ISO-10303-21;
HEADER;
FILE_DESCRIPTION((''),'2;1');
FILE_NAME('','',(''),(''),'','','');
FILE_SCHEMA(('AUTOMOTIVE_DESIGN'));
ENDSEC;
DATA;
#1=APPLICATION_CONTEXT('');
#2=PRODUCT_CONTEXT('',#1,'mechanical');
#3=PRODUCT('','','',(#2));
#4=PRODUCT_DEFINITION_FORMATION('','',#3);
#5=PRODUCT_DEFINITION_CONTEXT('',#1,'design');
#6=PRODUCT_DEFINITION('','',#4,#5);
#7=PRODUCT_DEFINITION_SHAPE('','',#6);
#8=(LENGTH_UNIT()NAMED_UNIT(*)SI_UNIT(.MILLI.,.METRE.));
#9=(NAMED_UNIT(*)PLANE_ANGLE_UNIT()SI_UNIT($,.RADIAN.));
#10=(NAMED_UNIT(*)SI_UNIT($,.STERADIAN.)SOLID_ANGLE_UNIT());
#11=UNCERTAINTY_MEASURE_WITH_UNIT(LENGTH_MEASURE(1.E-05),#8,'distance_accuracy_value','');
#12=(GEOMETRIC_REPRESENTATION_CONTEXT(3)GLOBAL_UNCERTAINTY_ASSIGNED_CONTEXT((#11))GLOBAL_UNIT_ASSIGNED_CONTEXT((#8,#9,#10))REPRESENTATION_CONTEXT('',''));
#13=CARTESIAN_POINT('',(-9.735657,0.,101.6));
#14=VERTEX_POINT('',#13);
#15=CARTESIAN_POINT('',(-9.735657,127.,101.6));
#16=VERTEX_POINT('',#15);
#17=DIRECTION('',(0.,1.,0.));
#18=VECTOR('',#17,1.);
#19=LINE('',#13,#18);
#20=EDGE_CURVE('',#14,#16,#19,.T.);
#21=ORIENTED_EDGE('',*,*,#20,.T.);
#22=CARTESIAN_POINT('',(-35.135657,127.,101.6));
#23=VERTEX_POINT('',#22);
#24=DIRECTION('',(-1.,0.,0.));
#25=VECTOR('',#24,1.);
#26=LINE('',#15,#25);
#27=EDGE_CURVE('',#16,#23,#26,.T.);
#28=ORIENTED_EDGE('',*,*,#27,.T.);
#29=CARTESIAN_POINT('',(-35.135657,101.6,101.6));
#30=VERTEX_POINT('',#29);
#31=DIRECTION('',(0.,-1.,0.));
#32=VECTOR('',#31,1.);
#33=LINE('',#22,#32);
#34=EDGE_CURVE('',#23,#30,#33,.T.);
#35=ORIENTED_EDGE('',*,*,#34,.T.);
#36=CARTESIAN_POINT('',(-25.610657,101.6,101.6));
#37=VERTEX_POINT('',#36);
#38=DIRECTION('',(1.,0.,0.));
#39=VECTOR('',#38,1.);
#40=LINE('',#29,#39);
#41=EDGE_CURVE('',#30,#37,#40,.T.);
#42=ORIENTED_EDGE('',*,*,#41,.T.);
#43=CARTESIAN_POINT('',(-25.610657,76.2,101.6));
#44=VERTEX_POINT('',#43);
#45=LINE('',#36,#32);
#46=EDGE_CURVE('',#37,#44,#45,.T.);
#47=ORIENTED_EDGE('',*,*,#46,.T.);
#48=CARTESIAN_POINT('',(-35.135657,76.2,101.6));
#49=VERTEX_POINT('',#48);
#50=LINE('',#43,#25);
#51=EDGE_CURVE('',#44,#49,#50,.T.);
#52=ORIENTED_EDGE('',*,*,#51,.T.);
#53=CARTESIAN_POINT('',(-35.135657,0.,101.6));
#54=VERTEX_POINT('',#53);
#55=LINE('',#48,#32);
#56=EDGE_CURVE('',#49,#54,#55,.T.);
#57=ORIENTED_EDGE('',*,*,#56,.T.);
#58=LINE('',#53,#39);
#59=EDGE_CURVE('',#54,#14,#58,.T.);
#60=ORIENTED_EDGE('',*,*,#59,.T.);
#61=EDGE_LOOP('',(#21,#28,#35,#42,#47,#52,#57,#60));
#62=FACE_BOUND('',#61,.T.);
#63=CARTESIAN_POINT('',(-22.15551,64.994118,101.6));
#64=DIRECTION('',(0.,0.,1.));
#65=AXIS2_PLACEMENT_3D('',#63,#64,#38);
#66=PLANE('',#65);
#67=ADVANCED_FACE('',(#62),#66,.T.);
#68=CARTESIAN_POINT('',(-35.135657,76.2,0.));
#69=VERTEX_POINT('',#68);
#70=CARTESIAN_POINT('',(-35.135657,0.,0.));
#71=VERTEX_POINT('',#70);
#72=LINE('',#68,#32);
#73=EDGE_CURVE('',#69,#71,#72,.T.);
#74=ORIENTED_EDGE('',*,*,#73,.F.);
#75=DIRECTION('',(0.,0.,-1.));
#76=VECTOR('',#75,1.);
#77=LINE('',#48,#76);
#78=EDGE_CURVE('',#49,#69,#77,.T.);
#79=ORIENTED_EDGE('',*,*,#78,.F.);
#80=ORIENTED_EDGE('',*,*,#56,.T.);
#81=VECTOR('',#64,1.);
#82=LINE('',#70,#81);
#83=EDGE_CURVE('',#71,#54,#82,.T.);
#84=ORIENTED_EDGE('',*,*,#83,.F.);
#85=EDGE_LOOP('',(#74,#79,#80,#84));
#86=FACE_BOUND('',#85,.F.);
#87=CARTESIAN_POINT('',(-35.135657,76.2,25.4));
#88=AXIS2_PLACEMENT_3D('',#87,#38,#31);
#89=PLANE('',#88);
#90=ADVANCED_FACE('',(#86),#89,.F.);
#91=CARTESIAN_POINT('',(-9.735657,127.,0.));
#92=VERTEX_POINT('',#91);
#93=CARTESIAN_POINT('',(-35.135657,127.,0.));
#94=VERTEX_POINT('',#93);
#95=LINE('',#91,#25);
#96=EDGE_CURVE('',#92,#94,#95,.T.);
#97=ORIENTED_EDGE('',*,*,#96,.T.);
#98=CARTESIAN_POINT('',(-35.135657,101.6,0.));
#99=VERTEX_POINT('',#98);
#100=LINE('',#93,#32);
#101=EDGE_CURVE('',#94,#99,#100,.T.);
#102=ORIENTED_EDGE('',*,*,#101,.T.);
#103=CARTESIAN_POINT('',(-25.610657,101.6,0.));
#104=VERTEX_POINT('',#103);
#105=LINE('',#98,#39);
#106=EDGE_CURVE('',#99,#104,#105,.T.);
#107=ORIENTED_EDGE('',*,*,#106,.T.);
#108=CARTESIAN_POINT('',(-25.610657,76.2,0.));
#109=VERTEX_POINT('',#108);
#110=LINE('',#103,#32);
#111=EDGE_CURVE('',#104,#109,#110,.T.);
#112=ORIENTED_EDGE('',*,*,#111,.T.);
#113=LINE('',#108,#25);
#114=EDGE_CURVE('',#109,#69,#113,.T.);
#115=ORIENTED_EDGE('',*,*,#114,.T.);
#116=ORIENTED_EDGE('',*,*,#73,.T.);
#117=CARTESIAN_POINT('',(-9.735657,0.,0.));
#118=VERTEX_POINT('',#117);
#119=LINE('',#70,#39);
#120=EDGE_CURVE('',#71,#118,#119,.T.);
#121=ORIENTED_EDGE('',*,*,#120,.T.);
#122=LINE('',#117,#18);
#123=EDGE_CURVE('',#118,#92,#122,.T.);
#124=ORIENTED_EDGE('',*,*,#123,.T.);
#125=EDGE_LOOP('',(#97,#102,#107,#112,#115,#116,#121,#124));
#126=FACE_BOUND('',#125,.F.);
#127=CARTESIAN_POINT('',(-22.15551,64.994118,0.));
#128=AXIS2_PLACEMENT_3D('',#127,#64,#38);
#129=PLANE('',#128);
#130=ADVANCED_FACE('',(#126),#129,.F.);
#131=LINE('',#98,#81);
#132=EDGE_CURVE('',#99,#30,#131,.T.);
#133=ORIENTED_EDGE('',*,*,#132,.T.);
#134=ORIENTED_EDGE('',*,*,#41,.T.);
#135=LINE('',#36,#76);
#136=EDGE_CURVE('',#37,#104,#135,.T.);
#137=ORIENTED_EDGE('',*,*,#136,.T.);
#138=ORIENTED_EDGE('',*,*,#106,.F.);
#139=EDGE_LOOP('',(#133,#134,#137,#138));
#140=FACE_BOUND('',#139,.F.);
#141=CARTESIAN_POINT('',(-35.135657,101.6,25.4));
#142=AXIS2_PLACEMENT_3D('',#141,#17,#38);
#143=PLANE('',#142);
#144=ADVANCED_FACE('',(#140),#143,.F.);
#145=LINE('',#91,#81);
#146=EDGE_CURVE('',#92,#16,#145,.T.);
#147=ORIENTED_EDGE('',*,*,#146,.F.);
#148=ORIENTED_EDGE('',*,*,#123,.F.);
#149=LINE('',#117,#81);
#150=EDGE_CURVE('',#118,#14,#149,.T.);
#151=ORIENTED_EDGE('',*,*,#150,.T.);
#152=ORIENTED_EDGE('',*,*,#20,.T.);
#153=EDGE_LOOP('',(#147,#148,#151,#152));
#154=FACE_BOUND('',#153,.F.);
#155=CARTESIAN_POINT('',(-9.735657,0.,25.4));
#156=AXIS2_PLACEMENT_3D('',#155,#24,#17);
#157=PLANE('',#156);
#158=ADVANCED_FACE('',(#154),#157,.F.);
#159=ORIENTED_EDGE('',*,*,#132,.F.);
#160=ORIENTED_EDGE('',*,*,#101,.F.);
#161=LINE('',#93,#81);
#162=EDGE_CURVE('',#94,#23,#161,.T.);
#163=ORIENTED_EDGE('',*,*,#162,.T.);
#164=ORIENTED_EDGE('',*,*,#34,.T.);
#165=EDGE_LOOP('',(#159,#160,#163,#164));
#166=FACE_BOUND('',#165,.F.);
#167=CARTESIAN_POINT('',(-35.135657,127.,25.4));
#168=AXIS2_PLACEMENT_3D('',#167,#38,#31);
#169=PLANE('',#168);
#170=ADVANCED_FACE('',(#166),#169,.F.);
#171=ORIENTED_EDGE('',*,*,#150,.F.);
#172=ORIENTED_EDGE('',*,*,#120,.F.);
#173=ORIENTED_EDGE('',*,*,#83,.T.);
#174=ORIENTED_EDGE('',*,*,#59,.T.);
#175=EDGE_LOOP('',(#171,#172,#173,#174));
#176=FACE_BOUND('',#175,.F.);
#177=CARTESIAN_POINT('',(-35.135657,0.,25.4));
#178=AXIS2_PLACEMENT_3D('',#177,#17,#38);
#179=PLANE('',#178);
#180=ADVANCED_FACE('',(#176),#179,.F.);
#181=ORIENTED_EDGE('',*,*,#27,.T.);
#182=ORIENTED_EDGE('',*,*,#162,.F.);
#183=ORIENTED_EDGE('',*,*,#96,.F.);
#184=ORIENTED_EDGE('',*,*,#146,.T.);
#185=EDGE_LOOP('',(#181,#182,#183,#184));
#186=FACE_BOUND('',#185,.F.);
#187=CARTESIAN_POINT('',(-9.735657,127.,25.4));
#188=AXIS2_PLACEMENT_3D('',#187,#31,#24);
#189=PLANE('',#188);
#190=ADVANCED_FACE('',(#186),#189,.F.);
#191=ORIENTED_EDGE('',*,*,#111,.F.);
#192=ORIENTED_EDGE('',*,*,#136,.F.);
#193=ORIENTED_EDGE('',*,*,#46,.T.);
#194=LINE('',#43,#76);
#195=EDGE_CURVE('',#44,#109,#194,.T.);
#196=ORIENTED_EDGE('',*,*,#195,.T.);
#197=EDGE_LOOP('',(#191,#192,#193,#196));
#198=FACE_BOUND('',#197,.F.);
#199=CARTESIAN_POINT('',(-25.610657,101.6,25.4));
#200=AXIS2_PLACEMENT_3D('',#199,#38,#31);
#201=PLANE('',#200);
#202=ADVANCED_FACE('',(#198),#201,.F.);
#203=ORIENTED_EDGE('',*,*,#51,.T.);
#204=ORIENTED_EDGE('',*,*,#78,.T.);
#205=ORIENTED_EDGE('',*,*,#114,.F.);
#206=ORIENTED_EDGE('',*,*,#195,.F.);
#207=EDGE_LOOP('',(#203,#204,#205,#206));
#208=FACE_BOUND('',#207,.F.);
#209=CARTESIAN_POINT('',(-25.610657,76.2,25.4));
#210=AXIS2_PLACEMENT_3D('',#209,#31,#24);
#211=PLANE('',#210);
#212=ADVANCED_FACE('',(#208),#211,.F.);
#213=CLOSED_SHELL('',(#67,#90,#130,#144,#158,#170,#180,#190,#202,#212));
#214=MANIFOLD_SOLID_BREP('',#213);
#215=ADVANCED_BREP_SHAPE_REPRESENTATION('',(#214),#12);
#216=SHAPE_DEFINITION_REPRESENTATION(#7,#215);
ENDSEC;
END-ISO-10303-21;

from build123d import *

# Parameters (mm, degrees)
F1_DEPTH = 25.4
F3_DEPTH = 76.2


with BuildPart() as f1:
    # F0 (on Top) → F1 (new body)
    with BuildSketch(Plane.XY):
        Polygon((-35.135657, 0), (-9.735657, 0), (-9.735657, 127), (-35.135657, 127), (-35.135657, 101.6), (-25.610657, 101.6), (-25.610657, 76.2), (-35.135657, 76.2), align=None)
    extrude(amount=F1_DEPTH)

    # F2 (on face) → F3 (join)
    with BuildSketch(Plane.XY.offset(25.4)):
        Polygon((-35.135657, 76.2), (-35.135657, 0), (-9.735657, 0), (-9.735657, 127), (-35.135657, 127), (-35.135657, 101.6), (-25.610657, 101.6), (-25.610657, 76.2), align=None)
    extrude(amount=F3_DEPTH)


solid = f1.part
